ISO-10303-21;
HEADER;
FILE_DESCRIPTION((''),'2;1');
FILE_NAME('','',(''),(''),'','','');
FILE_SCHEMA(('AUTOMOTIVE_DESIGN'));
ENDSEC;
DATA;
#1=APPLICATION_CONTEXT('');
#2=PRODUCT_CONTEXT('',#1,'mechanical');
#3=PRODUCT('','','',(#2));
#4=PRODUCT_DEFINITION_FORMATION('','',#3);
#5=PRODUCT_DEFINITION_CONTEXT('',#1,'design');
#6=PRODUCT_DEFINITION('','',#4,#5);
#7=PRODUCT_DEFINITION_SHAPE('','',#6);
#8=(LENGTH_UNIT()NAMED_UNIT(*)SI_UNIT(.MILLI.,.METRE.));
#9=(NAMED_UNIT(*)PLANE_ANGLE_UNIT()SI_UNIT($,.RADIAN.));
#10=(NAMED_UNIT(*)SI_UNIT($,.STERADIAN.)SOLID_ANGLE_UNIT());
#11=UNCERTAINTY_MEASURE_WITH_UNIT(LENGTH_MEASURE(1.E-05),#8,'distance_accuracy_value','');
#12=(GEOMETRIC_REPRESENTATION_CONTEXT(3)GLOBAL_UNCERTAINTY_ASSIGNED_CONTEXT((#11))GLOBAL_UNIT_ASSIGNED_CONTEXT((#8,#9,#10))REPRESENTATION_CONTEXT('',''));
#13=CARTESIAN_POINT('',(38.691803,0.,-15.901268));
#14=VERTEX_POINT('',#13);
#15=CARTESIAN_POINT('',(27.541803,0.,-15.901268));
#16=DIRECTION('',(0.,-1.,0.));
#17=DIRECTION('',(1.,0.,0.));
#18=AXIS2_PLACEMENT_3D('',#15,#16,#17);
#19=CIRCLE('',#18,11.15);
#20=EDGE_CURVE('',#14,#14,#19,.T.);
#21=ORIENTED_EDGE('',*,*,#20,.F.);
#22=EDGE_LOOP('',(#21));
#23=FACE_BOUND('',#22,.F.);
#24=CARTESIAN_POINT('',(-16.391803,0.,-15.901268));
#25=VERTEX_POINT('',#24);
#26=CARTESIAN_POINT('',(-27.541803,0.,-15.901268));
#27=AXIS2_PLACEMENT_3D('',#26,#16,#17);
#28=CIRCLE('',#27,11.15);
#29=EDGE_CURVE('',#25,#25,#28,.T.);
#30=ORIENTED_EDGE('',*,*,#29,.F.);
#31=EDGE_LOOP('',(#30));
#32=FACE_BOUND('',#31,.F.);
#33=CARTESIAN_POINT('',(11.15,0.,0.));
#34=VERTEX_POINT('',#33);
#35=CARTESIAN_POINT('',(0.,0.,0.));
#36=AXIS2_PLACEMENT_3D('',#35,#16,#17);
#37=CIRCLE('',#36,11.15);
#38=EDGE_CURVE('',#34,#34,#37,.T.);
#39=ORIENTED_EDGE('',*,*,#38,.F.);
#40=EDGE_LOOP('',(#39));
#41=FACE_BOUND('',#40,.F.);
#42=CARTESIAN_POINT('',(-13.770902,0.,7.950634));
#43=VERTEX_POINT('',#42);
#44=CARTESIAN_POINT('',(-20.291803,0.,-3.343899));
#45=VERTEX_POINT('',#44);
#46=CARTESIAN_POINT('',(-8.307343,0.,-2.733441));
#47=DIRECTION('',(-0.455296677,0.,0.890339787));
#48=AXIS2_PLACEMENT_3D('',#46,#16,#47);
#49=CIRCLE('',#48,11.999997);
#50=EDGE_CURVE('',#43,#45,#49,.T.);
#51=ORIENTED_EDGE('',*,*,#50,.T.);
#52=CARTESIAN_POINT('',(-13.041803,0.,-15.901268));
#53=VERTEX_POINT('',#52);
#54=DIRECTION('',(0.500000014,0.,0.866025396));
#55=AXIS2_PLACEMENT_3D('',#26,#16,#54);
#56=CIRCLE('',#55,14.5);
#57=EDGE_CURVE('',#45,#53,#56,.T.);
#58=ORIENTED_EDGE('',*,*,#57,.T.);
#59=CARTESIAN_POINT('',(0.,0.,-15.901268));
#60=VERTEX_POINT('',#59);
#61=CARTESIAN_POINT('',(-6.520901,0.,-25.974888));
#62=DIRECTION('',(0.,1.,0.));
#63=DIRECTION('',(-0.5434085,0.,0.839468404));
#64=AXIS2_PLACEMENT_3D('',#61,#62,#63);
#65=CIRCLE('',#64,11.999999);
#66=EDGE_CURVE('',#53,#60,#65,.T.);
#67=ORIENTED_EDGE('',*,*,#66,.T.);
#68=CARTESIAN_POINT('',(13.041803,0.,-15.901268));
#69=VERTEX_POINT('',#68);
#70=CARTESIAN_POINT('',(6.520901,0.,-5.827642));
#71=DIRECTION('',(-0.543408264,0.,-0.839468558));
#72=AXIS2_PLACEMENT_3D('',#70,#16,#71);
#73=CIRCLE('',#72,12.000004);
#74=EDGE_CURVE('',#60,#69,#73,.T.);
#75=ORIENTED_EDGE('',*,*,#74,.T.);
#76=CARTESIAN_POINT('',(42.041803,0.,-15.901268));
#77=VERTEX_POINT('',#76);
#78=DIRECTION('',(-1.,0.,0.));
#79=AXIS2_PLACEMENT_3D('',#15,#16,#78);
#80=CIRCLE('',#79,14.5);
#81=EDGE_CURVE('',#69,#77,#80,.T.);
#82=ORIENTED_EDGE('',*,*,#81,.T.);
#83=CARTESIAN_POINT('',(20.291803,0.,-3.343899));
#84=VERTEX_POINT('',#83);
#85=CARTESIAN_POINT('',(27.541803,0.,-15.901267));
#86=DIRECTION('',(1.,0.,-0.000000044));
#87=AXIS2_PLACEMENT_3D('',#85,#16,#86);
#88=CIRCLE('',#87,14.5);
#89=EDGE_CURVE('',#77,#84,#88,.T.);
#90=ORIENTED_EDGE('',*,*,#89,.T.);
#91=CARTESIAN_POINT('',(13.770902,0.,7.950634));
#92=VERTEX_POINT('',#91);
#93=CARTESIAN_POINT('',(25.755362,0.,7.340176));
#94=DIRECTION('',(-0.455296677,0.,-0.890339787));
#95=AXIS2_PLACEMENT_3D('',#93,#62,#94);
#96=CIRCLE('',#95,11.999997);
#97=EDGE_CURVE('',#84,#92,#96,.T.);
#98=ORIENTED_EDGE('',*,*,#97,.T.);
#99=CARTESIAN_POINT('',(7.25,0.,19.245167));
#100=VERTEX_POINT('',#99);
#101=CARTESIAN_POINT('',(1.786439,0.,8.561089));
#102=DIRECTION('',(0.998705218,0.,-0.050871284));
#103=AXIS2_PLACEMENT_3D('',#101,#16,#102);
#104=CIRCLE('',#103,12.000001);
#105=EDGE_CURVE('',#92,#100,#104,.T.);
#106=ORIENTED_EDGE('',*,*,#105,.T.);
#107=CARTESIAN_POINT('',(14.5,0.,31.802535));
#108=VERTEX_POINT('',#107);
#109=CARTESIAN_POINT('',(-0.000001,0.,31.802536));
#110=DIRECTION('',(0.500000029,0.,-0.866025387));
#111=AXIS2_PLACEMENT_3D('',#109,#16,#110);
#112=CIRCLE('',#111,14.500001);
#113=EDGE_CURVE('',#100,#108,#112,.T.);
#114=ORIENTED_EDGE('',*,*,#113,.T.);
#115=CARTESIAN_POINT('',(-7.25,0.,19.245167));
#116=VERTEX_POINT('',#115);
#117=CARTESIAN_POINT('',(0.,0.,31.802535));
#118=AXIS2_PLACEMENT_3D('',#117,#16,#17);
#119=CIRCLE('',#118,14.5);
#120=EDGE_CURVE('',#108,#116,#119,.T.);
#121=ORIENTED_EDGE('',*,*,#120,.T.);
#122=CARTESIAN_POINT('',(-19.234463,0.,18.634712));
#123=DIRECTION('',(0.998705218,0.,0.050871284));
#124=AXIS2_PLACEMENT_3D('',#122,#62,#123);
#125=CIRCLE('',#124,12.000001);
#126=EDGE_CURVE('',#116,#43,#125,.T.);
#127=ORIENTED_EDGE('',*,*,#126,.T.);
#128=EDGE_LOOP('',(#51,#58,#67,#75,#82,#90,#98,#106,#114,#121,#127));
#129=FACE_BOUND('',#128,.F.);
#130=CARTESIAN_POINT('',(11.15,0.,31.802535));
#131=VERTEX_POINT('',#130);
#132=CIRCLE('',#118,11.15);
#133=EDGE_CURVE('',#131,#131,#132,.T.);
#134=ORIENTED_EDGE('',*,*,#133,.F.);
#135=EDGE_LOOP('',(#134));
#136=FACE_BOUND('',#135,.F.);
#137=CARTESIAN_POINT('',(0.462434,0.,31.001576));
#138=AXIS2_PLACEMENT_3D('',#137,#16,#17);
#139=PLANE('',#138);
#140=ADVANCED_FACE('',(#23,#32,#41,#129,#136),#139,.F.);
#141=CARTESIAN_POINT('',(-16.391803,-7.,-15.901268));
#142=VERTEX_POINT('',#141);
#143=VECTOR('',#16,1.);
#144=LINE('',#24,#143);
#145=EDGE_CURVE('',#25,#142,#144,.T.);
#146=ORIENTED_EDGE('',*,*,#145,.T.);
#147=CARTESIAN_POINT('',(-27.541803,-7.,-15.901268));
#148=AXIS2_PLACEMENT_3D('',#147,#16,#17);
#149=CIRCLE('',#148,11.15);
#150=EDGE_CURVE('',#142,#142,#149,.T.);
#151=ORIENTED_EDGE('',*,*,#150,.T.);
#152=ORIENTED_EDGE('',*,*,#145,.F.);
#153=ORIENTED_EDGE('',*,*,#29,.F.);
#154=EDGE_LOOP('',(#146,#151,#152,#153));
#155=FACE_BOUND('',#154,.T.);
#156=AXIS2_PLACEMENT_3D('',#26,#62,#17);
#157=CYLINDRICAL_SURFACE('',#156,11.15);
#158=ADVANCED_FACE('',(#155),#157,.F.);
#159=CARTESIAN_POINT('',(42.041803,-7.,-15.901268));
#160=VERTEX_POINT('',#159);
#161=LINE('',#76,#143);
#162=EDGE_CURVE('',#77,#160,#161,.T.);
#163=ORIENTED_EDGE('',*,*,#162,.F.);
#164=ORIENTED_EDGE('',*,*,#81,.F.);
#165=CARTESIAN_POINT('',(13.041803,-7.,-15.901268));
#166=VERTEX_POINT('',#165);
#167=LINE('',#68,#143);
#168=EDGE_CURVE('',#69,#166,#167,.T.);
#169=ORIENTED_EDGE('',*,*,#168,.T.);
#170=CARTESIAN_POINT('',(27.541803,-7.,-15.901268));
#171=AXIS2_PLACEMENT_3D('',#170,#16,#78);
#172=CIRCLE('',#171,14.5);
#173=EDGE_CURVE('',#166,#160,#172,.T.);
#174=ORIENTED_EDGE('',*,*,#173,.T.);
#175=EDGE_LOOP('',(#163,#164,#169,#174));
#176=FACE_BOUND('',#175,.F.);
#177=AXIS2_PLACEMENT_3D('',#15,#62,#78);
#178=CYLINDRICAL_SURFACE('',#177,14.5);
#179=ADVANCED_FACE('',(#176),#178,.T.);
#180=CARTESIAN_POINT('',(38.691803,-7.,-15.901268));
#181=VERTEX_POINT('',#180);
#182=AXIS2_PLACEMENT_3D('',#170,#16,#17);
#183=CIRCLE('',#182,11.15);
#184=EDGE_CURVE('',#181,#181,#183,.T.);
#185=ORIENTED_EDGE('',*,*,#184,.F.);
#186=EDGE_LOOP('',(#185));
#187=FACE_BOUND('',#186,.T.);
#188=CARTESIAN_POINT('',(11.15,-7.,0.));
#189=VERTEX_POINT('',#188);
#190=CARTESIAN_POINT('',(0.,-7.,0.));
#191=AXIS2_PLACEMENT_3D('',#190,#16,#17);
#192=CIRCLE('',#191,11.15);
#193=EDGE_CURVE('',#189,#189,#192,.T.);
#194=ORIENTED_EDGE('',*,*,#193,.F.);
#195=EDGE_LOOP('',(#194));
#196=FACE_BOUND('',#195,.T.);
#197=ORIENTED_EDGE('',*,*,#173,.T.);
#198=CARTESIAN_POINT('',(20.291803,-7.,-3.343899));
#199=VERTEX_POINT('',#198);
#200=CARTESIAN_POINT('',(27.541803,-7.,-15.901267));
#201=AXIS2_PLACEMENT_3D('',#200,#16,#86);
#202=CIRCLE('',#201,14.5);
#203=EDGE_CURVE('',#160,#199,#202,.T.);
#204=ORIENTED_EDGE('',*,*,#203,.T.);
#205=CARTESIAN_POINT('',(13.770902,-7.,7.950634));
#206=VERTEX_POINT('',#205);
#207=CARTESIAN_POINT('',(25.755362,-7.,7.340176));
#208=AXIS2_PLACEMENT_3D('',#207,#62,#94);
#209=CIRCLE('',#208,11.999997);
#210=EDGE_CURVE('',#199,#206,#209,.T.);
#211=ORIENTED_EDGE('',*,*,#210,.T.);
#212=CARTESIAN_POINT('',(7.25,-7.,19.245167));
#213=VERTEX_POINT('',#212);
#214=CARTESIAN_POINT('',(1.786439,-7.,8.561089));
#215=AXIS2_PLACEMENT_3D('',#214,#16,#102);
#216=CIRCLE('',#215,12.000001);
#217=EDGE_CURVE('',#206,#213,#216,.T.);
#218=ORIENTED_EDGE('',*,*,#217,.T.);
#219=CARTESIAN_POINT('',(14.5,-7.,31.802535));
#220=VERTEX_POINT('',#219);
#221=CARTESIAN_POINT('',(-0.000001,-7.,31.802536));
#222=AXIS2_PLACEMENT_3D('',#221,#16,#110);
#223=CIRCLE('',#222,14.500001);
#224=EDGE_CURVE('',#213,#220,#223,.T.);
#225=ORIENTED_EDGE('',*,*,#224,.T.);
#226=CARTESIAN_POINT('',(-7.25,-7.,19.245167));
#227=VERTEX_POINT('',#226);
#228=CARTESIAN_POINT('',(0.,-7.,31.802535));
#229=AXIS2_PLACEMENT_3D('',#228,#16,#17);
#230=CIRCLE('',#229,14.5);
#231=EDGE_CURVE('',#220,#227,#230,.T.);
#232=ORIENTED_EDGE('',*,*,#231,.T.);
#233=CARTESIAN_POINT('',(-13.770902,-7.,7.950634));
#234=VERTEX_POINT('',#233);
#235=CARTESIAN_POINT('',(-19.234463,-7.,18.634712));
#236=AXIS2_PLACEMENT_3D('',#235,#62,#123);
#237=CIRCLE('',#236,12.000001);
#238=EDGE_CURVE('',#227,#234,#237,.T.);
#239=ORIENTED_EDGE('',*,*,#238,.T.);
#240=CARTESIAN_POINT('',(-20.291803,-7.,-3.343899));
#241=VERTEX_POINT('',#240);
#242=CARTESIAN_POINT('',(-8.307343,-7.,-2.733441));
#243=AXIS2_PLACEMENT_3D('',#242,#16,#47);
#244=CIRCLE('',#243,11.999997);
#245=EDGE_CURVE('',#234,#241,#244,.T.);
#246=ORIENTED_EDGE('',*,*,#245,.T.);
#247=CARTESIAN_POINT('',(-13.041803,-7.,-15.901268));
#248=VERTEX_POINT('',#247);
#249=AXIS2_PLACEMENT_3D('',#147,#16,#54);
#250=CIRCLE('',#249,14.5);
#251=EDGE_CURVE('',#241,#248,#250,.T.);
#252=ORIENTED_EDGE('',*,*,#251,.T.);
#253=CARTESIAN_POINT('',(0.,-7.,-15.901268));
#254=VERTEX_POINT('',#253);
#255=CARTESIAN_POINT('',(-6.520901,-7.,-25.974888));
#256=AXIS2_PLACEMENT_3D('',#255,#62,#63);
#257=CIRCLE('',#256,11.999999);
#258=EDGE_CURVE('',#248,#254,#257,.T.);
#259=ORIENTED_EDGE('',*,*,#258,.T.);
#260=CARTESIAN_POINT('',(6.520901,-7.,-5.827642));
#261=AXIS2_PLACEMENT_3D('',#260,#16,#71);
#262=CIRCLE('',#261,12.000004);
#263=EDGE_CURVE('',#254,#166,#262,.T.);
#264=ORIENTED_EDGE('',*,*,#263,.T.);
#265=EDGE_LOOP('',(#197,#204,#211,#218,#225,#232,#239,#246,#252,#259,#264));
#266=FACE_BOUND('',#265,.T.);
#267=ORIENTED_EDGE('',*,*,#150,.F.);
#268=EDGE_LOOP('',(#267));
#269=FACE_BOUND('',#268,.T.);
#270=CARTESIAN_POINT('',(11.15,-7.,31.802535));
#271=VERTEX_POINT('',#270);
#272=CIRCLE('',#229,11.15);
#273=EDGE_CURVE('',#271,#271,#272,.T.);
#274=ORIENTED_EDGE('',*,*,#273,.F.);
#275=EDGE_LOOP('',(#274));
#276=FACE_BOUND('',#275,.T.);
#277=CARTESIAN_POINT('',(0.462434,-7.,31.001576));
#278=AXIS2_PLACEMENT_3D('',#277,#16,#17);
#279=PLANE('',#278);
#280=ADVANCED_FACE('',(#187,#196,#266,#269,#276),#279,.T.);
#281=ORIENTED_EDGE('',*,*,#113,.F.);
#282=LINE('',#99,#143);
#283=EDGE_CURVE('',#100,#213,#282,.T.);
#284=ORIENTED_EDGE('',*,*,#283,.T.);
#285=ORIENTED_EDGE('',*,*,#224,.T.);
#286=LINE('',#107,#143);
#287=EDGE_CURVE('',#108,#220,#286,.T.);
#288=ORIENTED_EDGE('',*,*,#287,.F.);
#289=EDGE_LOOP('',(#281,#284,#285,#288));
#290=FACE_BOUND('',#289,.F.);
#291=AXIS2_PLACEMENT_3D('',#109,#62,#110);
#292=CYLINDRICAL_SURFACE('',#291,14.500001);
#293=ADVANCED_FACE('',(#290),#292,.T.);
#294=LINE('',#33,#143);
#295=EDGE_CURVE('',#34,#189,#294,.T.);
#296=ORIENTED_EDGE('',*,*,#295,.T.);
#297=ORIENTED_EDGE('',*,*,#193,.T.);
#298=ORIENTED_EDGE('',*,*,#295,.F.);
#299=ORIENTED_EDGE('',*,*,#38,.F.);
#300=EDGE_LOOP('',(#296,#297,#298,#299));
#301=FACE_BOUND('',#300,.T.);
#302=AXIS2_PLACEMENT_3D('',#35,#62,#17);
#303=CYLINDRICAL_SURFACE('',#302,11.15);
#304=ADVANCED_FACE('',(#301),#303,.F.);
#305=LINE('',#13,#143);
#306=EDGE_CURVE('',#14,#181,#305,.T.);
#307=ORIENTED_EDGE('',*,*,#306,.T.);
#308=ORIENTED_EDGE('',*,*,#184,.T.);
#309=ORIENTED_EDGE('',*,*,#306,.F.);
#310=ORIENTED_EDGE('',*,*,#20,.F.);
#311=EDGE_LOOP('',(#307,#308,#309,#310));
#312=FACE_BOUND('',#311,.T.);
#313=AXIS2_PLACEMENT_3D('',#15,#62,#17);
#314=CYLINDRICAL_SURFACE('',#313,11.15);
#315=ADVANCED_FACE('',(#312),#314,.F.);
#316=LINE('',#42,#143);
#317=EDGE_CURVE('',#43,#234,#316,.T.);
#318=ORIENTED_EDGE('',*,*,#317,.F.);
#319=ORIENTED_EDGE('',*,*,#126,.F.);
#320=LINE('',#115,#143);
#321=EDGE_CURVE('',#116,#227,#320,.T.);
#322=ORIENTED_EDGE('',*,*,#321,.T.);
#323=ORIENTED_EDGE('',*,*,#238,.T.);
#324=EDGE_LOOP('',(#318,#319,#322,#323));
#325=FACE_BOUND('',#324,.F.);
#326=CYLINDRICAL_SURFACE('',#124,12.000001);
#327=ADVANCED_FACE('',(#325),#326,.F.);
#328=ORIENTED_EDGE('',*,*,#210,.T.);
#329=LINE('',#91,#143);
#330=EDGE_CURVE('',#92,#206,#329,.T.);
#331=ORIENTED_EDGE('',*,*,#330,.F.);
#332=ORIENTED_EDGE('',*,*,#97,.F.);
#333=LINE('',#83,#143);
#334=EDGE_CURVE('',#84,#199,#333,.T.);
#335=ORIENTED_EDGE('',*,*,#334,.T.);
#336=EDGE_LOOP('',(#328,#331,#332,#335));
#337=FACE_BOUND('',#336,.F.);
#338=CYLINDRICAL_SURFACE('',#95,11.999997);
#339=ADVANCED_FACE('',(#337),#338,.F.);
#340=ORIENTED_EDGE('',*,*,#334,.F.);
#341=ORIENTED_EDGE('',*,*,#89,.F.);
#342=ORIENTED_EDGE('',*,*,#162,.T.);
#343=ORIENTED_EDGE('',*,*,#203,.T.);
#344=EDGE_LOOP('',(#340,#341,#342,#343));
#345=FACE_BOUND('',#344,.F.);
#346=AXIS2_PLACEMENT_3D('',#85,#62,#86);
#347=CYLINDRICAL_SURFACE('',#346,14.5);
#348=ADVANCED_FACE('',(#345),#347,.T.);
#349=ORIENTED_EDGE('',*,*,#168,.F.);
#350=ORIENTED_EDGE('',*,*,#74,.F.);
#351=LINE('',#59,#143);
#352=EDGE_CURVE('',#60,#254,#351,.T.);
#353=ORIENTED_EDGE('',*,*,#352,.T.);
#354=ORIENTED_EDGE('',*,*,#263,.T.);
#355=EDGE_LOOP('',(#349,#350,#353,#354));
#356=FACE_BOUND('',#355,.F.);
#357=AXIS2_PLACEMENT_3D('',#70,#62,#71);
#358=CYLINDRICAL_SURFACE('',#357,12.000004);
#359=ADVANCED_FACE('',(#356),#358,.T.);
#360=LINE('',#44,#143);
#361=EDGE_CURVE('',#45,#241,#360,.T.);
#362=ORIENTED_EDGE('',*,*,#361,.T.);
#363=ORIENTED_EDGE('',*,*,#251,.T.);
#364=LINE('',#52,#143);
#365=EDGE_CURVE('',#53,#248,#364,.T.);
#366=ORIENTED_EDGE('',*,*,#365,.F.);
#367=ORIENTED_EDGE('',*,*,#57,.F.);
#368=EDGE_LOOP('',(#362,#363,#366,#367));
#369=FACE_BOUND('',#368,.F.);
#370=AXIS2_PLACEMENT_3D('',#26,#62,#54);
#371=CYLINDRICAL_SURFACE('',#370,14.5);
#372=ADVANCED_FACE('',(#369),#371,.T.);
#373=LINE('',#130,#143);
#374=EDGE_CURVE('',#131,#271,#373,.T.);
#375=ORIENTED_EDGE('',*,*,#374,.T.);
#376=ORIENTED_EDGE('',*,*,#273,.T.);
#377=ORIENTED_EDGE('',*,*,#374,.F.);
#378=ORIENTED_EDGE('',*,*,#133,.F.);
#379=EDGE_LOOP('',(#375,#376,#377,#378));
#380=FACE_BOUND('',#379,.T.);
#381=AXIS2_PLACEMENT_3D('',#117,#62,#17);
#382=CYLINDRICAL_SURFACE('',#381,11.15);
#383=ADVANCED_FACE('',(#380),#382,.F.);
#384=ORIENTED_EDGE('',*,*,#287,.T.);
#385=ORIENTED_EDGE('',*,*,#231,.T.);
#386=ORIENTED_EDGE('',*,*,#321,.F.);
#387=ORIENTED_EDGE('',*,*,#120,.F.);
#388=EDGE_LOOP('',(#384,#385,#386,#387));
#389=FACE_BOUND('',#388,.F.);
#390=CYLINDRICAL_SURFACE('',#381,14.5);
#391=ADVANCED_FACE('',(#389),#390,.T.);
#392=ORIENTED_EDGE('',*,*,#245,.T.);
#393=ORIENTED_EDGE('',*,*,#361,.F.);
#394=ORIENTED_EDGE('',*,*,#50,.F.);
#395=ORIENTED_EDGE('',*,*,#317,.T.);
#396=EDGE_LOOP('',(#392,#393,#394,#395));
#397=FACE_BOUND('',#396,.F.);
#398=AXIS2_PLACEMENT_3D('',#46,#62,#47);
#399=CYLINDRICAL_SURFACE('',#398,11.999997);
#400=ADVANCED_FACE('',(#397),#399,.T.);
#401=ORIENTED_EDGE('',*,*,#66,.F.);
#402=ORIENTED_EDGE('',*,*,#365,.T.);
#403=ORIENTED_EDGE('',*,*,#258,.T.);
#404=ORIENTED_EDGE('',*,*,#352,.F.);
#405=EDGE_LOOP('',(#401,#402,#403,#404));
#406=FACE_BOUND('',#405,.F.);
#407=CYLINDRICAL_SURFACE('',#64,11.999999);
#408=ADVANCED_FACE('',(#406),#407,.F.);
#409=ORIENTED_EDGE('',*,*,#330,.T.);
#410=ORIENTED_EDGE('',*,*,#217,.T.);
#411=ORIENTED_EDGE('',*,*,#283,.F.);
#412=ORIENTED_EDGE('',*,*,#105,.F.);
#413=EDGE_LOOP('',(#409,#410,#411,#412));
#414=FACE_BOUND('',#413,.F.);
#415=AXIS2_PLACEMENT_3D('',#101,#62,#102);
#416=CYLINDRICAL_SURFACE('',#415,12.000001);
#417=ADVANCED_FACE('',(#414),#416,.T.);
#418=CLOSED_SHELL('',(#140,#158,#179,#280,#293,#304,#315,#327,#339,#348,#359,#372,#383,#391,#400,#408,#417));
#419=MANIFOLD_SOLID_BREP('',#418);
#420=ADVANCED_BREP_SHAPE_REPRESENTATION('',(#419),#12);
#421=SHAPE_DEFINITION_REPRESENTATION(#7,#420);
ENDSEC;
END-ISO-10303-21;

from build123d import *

# Parameters (mm, degrees)
F0_R     = 11.15
F1_DEPTH = 7


with BuildPart() as f1:
    # F0 (on Front) → F1 (new body)
    with BuildSketch(Plane.XZ):
        with BuildLine():
            ThreePointArc((7.25, 19.245167), (12.557368, 24.552535), (14.5, 31.802535))
            ThreePointArc((14.5, 31.802535), (-7.25, 44.359903), (-7.25, 19.245167))
            ThreePointArc((-7.25, 19.245167), (0, 17.302535), (7.25, 19.245167))
        make_face()
        with Locations((0, 31.802535)):
            Circle(F0_R, mode=Mode.SUBTRACT)
        with BuildLine():
            ThreePointArc((7.25, 19.245167), (0, 17.302535), (-7.25, 19.245167))
            ThreePointArc((-7.25, 19.245167), (-8.842158, 12.634711), (-13.770902, 7.950634))
            ThreePointArc((-13.770902, 7.950634), (-18.699646, 3.266557), (-20.291803, -3.343899))
            ThreePointArc((-20.291803, -3.343899), (-14.984435, -8.651268), (-13.041803, -15.901268))
            ThreePointArc((-13.041803, -15.901268), (-6.520902, -13.974889), (0, -15.901268))
            ThreePointArc((0, -15.901268), (6.520902, -17.827646), (13.041803, -15.901268))
            ThreePointArc((13.041803, -15.901268), (14.984435, -8.651268), (20.291803, -3.343899))
            ThreePointArc((20.291803, -3.343899), (15.363059, 1.340178), (13.770902, 7.950634))
            ThreePointArc((13.770902, 7.950634), (12.178744, 14.56109), (7.25, 19.245167))
        make_face()
        Circle(F0_R, mode=Mode.SUBTRACT)
        with BuildLine():
            ThreePointArc((-13.041803, -15.901268), (-14.984435, -8.651268), (-20.291803, -3.343899))
            ThreePointArc((-20.291803, -3.343899), (-40.099172, -23.151268), (-13.041803, -15.901268))
        make_face()
        with Locations((-27.541803, -15.901268)):
            Circle(F0_R, mode=Mode.SUBTRACT)
        with BuildLine():
            ThreePointArc((42.041803, -15.901268), (34.791803, -3.343899), (20.291803, -3.343899))
            ThreePointArc((20.291803, -3.343899), (14.984435, -8.651268), (13.041803, -15.901268))
            ThreePointArc((13.041803, -15.901268), (27.541803, -30.401268), (42.041803, -15.901268))
        make_face()
        with Locations((27.541803, -15.901268)):
            Circle(F0_R, mode=Mode.SUBTRACT)
    extrude(amount=F1_DEPTH)


solid = f1.part
